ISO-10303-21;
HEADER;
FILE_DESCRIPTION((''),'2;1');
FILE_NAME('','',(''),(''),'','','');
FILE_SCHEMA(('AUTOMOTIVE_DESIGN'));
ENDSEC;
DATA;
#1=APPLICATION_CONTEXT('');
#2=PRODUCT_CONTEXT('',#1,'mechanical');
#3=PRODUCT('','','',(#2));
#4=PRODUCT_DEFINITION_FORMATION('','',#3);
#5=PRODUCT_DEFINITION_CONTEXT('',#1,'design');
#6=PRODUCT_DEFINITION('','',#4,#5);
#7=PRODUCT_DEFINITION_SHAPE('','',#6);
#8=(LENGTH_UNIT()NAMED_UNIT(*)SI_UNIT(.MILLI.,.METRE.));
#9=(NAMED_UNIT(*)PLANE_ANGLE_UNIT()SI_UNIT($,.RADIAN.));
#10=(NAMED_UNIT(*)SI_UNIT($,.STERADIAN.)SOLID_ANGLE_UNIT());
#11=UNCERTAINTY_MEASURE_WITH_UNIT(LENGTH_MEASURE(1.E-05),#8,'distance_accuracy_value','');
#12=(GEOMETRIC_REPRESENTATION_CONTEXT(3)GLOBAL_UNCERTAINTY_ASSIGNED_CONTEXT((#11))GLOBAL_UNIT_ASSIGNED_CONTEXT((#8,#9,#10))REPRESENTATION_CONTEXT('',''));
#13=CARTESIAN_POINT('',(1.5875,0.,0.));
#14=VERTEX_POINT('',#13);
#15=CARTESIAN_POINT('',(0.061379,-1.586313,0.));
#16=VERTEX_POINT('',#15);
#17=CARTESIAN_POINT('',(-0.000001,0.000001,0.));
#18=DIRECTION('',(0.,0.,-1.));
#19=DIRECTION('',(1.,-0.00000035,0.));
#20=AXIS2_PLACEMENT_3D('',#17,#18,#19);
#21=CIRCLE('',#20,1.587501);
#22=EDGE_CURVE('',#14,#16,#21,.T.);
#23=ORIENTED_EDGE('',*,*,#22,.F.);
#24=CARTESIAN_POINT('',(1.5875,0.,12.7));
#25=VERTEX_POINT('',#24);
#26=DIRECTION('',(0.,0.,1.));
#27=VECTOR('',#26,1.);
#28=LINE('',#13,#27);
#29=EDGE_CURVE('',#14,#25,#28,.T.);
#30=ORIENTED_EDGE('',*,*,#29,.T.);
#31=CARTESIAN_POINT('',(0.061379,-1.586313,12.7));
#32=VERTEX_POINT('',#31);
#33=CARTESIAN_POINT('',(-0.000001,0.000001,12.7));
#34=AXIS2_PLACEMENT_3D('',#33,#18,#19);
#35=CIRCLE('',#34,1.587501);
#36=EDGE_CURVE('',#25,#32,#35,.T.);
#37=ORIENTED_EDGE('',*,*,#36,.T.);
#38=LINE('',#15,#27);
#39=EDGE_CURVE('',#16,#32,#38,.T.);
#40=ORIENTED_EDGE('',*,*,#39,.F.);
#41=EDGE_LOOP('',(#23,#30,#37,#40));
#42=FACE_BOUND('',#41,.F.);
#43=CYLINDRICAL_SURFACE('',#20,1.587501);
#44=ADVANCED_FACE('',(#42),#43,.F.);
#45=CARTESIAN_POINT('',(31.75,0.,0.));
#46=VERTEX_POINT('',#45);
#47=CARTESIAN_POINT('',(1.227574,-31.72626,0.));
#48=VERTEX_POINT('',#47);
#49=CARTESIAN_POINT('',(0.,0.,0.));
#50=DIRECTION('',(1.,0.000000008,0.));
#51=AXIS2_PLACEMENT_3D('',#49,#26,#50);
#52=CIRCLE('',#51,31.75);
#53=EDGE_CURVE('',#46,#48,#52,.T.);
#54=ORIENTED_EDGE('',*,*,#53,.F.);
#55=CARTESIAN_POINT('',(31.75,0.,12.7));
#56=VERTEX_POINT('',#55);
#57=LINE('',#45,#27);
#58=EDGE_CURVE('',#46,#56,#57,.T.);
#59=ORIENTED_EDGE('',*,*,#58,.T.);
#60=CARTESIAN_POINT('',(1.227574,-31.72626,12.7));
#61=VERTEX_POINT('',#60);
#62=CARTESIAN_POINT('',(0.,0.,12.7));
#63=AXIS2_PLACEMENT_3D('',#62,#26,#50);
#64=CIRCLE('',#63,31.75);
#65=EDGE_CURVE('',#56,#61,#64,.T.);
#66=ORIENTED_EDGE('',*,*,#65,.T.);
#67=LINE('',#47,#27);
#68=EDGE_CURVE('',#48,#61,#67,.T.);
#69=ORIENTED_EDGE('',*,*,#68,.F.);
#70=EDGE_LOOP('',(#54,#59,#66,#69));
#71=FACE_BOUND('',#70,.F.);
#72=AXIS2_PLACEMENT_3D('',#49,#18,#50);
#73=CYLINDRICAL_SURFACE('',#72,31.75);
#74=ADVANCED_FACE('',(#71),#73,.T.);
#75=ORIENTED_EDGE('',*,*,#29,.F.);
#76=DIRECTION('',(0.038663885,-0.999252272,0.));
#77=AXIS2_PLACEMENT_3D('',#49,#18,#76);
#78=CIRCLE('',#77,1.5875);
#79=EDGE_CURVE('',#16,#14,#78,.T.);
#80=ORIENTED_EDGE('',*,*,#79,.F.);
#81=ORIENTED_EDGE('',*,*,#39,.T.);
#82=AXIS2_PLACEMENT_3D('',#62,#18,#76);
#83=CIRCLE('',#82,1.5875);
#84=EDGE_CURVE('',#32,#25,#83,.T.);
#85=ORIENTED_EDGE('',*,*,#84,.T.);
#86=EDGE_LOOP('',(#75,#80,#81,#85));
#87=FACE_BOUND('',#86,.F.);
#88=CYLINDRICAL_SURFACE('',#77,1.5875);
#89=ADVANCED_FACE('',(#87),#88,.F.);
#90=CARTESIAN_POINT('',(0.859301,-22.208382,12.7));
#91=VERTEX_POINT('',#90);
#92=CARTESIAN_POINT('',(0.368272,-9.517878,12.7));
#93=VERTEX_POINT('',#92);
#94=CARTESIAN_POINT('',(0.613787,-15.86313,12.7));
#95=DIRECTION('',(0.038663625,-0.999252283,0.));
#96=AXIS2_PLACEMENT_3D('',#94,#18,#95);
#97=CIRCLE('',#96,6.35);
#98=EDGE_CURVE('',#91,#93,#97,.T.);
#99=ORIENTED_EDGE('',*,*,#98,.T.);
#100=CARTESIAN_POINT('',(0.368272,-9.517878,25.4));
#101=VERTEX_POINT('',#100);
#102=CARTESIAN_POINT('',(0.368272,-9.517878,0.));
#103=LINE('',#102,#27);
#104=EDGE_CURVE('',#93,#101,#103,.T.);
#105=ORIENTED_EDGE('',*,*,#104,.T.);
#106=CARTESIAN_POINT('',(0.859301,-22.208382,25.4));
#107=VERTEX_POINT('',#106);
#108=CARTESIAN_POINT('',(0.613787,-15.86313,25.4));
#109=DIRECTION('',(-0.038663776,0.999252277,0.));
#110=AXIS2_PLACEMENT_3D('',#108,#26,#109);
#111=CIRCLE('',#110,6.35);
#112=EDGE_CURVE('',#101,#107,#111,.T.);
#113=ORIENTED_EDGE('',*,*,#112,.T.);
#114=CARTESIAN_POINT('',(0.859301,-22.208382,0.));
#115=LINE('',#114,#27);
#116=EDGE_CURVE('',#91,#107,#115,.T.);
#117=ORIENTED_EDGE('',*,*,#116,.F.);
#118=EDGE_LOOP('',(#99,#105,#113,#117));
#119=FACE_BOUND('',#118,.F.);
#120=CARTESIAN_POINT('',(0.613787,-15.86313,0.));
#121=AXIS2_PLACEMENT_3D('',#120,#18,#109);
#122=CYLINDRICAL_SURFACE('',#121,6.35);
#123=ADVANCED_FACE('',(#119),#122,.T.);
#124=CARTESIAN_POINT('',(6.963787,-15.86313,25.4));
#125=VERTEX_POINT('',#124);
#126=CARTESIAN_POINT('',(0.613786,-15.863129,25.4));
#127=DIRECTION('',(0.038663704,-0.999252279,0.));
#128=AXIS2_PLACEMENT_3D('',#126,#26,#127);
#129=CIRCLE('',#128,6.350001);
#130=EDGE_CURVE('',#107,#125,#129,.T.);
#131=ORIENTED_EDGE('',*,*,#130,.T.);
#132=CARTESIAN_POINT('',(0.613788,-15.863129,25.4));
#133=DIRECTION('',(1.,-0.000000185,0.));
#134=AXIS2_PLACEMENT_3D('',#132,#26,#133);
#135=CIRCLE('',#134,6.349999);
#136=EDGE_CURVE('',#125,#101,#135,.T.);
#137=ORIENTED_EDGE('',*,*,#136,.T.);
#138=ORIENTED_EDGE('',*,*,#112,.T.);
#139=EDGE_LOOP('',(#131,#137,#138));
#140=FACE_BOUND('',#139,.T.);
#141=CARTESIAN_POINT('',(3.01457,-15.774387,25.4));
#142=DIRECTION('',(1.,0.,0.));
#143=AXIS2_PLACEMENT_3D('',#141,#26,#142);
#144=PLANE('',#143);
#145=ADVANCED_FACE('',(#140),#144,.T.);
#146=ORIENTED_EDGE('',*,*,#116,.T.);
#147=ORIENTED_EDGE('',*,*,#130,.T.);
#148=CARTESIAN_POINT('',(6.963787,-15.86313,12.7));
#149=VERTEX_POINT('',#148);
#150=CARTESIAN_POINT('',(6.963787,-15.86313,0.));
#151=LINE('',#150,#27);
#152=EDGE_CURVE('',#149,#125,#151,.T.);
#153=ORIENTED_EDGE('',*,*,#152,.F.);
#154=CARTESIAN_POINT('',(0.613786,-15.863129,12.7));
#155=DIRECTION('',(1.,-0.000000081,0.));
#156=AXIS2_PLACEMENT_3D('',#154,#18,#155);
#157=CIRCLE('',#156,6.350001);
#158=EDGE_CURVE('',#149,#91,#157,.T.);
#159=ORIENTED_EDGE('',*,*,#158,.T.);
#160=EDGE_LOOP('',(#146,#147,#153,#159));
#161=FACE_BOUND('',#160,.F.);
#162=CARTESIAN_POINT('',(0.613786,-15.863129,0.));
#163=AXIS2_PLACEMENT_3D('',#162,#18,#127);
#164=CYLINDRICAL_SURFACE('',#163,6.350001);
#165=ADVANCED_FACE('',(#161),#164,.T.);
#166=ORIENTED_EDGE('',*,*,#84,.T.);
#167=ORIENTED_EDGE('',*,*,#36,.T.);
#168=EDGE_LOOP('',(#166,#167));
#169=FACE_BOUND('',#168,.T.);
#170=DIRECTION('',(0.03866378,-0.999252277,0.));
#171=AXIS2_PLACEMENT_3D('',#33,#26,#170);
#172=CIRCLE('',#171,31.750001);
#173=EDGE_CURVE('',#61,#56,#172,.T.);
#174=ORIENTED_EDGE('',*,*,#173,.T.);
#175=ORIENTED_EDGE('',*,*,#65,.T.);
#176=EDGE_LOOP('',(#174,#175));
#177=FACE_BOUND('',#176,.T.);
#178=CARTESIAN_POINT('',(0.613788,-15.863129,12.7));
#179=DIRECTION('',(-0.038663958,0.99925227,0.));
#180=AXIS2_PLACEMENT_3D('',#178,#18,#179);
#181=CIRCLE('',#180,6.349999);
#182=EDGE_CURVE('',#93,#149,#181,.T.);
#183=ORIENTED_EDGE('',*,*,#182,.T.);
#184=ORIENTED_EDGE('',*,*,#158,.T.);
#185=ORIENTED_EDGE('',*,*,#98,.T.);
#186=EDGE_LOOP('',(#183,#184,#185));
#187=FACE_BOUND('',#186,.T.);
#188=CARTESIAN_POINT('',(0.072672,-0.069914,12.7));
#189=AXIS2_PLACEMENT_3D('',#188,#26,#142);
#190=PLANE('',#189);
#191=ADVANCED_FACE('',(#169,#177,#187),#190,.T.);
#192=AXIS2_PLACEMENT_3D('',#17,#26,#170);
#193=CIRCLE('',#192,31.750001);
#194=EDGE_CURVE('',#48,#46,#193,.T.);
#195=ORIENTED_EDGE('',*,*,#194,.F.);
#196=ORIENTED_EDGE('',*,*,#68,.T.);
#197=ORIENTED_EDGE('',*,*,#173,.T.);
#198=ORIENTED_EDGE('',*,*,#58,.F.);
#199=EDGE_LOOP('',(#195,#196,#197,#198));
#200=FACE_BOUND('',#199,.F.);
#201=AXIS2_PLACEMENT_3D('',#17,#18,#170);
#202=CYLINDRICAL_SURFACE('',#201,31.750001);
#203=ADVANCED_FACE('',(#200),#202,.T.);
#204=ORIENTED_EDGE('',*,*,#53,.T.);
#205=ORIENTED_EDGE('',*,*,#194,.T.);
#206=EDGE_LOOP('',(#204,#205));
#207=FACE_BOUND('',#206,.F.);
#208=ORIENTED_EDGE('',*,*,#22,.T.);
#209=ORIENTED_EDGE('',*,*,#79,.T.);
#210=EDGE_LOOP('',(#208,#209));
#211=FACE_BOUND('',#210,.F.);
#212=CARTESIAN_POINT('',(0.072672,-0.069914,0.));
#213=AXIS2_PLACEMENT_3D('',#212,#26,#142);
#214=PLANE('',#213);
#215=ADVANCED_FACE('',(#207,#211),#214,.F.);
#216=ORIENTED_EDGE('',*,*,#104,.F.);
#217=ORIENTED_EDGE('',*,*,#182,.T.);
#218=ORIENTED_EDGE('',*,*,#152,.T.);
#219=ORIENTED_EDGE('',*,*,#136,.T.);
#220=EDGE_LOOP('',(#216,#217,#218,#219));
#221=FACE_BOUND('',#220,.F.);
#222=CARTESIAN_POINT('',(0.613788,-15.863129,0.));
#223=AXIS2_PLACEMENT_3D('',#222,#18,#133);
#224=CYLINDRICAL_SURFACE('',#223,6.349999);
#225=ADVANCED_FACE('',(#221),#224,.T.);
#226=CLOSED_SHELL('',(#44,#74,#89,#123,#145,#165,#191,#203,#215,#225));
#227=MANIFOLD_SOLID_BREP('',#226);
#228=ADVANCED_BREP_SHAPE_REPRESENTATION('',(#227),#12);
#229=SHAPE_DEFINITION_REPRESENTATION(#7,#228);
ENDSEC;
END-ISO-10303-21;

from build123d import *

# Parameters (mm, degrees)
F1_DEPTH = 12.7
F2_DEPTH = 25.4


with BuildPart() as f1:
    # F0 (on Top) → F1 (new body)
    with BuildSketch(Plane.XY):
        with BuildLine():
            ThreePointArc((1.5875, 0), (-1.144027, 1.100617), (0.061379, -1.586313))
            ThreePointArc((0.061379, -1.586313), (1.144027, -1.100617), (1.5875, 0))
        make_face()
        with BuildLine():
            ThreePointArc((1.227574, -31.72626), (22.880537, -22.012349), (31.75, 0))
            ThreePointArc((31.75, 0), (-22.880537, 22.012349), (1.227574, -31.72626))
        make_face()
        with BuildLine():
            ThreePointArc((6.963787, -15.86313), (5.189894, -20.2656), (0.859301, -22.208382))
            ThreePointArc((0.859301, -22.208382), (-5.731465, -16.108645), (0.368272, -9.517878))
            ThreePointArc((0.368272, -9.517878), (5.016257, -11.287022), (6.963787, -15.86313))
        make_face(mode=Mode.SUBTRACT)
        with BuildLine():
            ThreePointArc((1.5875, 0), (1.144027, -1.100617), (0.061379, -1.586313))
            ThreePointArc((0.061379, -1.586313), (-1.144027, 1.100617), (1.5875, 0))
        make_face(mode=Mode.SUBTRACT)
    extrude(amount=F1_DEPTH)

    # F0 (on Top) → F2 (join)
    with BuildSketch(Plane.XY):
        with BuildLine():
            Line((0.368272, -9.517878), (0.859301, -22.208382))
            ThreePointArc((0.859301, -22.208382), (5.189894, -20.2656), (6.963787, -15.86313))
            ThreePointArc((6.963787, -15.86313), (5.016257, -11.287022), (0.368272, -9.517878))
        make_face()
        with BuildLine():
            ThreePointArc((0.368272, -9.517878), (-5.731465, -16.108645), (0.859301, -22.208382))
            Line((0.859301, -22.208382), (0.368272, -9.517878))
        make_face()
    extrude(amount=F2_DEPTH)


solid = f1.part
